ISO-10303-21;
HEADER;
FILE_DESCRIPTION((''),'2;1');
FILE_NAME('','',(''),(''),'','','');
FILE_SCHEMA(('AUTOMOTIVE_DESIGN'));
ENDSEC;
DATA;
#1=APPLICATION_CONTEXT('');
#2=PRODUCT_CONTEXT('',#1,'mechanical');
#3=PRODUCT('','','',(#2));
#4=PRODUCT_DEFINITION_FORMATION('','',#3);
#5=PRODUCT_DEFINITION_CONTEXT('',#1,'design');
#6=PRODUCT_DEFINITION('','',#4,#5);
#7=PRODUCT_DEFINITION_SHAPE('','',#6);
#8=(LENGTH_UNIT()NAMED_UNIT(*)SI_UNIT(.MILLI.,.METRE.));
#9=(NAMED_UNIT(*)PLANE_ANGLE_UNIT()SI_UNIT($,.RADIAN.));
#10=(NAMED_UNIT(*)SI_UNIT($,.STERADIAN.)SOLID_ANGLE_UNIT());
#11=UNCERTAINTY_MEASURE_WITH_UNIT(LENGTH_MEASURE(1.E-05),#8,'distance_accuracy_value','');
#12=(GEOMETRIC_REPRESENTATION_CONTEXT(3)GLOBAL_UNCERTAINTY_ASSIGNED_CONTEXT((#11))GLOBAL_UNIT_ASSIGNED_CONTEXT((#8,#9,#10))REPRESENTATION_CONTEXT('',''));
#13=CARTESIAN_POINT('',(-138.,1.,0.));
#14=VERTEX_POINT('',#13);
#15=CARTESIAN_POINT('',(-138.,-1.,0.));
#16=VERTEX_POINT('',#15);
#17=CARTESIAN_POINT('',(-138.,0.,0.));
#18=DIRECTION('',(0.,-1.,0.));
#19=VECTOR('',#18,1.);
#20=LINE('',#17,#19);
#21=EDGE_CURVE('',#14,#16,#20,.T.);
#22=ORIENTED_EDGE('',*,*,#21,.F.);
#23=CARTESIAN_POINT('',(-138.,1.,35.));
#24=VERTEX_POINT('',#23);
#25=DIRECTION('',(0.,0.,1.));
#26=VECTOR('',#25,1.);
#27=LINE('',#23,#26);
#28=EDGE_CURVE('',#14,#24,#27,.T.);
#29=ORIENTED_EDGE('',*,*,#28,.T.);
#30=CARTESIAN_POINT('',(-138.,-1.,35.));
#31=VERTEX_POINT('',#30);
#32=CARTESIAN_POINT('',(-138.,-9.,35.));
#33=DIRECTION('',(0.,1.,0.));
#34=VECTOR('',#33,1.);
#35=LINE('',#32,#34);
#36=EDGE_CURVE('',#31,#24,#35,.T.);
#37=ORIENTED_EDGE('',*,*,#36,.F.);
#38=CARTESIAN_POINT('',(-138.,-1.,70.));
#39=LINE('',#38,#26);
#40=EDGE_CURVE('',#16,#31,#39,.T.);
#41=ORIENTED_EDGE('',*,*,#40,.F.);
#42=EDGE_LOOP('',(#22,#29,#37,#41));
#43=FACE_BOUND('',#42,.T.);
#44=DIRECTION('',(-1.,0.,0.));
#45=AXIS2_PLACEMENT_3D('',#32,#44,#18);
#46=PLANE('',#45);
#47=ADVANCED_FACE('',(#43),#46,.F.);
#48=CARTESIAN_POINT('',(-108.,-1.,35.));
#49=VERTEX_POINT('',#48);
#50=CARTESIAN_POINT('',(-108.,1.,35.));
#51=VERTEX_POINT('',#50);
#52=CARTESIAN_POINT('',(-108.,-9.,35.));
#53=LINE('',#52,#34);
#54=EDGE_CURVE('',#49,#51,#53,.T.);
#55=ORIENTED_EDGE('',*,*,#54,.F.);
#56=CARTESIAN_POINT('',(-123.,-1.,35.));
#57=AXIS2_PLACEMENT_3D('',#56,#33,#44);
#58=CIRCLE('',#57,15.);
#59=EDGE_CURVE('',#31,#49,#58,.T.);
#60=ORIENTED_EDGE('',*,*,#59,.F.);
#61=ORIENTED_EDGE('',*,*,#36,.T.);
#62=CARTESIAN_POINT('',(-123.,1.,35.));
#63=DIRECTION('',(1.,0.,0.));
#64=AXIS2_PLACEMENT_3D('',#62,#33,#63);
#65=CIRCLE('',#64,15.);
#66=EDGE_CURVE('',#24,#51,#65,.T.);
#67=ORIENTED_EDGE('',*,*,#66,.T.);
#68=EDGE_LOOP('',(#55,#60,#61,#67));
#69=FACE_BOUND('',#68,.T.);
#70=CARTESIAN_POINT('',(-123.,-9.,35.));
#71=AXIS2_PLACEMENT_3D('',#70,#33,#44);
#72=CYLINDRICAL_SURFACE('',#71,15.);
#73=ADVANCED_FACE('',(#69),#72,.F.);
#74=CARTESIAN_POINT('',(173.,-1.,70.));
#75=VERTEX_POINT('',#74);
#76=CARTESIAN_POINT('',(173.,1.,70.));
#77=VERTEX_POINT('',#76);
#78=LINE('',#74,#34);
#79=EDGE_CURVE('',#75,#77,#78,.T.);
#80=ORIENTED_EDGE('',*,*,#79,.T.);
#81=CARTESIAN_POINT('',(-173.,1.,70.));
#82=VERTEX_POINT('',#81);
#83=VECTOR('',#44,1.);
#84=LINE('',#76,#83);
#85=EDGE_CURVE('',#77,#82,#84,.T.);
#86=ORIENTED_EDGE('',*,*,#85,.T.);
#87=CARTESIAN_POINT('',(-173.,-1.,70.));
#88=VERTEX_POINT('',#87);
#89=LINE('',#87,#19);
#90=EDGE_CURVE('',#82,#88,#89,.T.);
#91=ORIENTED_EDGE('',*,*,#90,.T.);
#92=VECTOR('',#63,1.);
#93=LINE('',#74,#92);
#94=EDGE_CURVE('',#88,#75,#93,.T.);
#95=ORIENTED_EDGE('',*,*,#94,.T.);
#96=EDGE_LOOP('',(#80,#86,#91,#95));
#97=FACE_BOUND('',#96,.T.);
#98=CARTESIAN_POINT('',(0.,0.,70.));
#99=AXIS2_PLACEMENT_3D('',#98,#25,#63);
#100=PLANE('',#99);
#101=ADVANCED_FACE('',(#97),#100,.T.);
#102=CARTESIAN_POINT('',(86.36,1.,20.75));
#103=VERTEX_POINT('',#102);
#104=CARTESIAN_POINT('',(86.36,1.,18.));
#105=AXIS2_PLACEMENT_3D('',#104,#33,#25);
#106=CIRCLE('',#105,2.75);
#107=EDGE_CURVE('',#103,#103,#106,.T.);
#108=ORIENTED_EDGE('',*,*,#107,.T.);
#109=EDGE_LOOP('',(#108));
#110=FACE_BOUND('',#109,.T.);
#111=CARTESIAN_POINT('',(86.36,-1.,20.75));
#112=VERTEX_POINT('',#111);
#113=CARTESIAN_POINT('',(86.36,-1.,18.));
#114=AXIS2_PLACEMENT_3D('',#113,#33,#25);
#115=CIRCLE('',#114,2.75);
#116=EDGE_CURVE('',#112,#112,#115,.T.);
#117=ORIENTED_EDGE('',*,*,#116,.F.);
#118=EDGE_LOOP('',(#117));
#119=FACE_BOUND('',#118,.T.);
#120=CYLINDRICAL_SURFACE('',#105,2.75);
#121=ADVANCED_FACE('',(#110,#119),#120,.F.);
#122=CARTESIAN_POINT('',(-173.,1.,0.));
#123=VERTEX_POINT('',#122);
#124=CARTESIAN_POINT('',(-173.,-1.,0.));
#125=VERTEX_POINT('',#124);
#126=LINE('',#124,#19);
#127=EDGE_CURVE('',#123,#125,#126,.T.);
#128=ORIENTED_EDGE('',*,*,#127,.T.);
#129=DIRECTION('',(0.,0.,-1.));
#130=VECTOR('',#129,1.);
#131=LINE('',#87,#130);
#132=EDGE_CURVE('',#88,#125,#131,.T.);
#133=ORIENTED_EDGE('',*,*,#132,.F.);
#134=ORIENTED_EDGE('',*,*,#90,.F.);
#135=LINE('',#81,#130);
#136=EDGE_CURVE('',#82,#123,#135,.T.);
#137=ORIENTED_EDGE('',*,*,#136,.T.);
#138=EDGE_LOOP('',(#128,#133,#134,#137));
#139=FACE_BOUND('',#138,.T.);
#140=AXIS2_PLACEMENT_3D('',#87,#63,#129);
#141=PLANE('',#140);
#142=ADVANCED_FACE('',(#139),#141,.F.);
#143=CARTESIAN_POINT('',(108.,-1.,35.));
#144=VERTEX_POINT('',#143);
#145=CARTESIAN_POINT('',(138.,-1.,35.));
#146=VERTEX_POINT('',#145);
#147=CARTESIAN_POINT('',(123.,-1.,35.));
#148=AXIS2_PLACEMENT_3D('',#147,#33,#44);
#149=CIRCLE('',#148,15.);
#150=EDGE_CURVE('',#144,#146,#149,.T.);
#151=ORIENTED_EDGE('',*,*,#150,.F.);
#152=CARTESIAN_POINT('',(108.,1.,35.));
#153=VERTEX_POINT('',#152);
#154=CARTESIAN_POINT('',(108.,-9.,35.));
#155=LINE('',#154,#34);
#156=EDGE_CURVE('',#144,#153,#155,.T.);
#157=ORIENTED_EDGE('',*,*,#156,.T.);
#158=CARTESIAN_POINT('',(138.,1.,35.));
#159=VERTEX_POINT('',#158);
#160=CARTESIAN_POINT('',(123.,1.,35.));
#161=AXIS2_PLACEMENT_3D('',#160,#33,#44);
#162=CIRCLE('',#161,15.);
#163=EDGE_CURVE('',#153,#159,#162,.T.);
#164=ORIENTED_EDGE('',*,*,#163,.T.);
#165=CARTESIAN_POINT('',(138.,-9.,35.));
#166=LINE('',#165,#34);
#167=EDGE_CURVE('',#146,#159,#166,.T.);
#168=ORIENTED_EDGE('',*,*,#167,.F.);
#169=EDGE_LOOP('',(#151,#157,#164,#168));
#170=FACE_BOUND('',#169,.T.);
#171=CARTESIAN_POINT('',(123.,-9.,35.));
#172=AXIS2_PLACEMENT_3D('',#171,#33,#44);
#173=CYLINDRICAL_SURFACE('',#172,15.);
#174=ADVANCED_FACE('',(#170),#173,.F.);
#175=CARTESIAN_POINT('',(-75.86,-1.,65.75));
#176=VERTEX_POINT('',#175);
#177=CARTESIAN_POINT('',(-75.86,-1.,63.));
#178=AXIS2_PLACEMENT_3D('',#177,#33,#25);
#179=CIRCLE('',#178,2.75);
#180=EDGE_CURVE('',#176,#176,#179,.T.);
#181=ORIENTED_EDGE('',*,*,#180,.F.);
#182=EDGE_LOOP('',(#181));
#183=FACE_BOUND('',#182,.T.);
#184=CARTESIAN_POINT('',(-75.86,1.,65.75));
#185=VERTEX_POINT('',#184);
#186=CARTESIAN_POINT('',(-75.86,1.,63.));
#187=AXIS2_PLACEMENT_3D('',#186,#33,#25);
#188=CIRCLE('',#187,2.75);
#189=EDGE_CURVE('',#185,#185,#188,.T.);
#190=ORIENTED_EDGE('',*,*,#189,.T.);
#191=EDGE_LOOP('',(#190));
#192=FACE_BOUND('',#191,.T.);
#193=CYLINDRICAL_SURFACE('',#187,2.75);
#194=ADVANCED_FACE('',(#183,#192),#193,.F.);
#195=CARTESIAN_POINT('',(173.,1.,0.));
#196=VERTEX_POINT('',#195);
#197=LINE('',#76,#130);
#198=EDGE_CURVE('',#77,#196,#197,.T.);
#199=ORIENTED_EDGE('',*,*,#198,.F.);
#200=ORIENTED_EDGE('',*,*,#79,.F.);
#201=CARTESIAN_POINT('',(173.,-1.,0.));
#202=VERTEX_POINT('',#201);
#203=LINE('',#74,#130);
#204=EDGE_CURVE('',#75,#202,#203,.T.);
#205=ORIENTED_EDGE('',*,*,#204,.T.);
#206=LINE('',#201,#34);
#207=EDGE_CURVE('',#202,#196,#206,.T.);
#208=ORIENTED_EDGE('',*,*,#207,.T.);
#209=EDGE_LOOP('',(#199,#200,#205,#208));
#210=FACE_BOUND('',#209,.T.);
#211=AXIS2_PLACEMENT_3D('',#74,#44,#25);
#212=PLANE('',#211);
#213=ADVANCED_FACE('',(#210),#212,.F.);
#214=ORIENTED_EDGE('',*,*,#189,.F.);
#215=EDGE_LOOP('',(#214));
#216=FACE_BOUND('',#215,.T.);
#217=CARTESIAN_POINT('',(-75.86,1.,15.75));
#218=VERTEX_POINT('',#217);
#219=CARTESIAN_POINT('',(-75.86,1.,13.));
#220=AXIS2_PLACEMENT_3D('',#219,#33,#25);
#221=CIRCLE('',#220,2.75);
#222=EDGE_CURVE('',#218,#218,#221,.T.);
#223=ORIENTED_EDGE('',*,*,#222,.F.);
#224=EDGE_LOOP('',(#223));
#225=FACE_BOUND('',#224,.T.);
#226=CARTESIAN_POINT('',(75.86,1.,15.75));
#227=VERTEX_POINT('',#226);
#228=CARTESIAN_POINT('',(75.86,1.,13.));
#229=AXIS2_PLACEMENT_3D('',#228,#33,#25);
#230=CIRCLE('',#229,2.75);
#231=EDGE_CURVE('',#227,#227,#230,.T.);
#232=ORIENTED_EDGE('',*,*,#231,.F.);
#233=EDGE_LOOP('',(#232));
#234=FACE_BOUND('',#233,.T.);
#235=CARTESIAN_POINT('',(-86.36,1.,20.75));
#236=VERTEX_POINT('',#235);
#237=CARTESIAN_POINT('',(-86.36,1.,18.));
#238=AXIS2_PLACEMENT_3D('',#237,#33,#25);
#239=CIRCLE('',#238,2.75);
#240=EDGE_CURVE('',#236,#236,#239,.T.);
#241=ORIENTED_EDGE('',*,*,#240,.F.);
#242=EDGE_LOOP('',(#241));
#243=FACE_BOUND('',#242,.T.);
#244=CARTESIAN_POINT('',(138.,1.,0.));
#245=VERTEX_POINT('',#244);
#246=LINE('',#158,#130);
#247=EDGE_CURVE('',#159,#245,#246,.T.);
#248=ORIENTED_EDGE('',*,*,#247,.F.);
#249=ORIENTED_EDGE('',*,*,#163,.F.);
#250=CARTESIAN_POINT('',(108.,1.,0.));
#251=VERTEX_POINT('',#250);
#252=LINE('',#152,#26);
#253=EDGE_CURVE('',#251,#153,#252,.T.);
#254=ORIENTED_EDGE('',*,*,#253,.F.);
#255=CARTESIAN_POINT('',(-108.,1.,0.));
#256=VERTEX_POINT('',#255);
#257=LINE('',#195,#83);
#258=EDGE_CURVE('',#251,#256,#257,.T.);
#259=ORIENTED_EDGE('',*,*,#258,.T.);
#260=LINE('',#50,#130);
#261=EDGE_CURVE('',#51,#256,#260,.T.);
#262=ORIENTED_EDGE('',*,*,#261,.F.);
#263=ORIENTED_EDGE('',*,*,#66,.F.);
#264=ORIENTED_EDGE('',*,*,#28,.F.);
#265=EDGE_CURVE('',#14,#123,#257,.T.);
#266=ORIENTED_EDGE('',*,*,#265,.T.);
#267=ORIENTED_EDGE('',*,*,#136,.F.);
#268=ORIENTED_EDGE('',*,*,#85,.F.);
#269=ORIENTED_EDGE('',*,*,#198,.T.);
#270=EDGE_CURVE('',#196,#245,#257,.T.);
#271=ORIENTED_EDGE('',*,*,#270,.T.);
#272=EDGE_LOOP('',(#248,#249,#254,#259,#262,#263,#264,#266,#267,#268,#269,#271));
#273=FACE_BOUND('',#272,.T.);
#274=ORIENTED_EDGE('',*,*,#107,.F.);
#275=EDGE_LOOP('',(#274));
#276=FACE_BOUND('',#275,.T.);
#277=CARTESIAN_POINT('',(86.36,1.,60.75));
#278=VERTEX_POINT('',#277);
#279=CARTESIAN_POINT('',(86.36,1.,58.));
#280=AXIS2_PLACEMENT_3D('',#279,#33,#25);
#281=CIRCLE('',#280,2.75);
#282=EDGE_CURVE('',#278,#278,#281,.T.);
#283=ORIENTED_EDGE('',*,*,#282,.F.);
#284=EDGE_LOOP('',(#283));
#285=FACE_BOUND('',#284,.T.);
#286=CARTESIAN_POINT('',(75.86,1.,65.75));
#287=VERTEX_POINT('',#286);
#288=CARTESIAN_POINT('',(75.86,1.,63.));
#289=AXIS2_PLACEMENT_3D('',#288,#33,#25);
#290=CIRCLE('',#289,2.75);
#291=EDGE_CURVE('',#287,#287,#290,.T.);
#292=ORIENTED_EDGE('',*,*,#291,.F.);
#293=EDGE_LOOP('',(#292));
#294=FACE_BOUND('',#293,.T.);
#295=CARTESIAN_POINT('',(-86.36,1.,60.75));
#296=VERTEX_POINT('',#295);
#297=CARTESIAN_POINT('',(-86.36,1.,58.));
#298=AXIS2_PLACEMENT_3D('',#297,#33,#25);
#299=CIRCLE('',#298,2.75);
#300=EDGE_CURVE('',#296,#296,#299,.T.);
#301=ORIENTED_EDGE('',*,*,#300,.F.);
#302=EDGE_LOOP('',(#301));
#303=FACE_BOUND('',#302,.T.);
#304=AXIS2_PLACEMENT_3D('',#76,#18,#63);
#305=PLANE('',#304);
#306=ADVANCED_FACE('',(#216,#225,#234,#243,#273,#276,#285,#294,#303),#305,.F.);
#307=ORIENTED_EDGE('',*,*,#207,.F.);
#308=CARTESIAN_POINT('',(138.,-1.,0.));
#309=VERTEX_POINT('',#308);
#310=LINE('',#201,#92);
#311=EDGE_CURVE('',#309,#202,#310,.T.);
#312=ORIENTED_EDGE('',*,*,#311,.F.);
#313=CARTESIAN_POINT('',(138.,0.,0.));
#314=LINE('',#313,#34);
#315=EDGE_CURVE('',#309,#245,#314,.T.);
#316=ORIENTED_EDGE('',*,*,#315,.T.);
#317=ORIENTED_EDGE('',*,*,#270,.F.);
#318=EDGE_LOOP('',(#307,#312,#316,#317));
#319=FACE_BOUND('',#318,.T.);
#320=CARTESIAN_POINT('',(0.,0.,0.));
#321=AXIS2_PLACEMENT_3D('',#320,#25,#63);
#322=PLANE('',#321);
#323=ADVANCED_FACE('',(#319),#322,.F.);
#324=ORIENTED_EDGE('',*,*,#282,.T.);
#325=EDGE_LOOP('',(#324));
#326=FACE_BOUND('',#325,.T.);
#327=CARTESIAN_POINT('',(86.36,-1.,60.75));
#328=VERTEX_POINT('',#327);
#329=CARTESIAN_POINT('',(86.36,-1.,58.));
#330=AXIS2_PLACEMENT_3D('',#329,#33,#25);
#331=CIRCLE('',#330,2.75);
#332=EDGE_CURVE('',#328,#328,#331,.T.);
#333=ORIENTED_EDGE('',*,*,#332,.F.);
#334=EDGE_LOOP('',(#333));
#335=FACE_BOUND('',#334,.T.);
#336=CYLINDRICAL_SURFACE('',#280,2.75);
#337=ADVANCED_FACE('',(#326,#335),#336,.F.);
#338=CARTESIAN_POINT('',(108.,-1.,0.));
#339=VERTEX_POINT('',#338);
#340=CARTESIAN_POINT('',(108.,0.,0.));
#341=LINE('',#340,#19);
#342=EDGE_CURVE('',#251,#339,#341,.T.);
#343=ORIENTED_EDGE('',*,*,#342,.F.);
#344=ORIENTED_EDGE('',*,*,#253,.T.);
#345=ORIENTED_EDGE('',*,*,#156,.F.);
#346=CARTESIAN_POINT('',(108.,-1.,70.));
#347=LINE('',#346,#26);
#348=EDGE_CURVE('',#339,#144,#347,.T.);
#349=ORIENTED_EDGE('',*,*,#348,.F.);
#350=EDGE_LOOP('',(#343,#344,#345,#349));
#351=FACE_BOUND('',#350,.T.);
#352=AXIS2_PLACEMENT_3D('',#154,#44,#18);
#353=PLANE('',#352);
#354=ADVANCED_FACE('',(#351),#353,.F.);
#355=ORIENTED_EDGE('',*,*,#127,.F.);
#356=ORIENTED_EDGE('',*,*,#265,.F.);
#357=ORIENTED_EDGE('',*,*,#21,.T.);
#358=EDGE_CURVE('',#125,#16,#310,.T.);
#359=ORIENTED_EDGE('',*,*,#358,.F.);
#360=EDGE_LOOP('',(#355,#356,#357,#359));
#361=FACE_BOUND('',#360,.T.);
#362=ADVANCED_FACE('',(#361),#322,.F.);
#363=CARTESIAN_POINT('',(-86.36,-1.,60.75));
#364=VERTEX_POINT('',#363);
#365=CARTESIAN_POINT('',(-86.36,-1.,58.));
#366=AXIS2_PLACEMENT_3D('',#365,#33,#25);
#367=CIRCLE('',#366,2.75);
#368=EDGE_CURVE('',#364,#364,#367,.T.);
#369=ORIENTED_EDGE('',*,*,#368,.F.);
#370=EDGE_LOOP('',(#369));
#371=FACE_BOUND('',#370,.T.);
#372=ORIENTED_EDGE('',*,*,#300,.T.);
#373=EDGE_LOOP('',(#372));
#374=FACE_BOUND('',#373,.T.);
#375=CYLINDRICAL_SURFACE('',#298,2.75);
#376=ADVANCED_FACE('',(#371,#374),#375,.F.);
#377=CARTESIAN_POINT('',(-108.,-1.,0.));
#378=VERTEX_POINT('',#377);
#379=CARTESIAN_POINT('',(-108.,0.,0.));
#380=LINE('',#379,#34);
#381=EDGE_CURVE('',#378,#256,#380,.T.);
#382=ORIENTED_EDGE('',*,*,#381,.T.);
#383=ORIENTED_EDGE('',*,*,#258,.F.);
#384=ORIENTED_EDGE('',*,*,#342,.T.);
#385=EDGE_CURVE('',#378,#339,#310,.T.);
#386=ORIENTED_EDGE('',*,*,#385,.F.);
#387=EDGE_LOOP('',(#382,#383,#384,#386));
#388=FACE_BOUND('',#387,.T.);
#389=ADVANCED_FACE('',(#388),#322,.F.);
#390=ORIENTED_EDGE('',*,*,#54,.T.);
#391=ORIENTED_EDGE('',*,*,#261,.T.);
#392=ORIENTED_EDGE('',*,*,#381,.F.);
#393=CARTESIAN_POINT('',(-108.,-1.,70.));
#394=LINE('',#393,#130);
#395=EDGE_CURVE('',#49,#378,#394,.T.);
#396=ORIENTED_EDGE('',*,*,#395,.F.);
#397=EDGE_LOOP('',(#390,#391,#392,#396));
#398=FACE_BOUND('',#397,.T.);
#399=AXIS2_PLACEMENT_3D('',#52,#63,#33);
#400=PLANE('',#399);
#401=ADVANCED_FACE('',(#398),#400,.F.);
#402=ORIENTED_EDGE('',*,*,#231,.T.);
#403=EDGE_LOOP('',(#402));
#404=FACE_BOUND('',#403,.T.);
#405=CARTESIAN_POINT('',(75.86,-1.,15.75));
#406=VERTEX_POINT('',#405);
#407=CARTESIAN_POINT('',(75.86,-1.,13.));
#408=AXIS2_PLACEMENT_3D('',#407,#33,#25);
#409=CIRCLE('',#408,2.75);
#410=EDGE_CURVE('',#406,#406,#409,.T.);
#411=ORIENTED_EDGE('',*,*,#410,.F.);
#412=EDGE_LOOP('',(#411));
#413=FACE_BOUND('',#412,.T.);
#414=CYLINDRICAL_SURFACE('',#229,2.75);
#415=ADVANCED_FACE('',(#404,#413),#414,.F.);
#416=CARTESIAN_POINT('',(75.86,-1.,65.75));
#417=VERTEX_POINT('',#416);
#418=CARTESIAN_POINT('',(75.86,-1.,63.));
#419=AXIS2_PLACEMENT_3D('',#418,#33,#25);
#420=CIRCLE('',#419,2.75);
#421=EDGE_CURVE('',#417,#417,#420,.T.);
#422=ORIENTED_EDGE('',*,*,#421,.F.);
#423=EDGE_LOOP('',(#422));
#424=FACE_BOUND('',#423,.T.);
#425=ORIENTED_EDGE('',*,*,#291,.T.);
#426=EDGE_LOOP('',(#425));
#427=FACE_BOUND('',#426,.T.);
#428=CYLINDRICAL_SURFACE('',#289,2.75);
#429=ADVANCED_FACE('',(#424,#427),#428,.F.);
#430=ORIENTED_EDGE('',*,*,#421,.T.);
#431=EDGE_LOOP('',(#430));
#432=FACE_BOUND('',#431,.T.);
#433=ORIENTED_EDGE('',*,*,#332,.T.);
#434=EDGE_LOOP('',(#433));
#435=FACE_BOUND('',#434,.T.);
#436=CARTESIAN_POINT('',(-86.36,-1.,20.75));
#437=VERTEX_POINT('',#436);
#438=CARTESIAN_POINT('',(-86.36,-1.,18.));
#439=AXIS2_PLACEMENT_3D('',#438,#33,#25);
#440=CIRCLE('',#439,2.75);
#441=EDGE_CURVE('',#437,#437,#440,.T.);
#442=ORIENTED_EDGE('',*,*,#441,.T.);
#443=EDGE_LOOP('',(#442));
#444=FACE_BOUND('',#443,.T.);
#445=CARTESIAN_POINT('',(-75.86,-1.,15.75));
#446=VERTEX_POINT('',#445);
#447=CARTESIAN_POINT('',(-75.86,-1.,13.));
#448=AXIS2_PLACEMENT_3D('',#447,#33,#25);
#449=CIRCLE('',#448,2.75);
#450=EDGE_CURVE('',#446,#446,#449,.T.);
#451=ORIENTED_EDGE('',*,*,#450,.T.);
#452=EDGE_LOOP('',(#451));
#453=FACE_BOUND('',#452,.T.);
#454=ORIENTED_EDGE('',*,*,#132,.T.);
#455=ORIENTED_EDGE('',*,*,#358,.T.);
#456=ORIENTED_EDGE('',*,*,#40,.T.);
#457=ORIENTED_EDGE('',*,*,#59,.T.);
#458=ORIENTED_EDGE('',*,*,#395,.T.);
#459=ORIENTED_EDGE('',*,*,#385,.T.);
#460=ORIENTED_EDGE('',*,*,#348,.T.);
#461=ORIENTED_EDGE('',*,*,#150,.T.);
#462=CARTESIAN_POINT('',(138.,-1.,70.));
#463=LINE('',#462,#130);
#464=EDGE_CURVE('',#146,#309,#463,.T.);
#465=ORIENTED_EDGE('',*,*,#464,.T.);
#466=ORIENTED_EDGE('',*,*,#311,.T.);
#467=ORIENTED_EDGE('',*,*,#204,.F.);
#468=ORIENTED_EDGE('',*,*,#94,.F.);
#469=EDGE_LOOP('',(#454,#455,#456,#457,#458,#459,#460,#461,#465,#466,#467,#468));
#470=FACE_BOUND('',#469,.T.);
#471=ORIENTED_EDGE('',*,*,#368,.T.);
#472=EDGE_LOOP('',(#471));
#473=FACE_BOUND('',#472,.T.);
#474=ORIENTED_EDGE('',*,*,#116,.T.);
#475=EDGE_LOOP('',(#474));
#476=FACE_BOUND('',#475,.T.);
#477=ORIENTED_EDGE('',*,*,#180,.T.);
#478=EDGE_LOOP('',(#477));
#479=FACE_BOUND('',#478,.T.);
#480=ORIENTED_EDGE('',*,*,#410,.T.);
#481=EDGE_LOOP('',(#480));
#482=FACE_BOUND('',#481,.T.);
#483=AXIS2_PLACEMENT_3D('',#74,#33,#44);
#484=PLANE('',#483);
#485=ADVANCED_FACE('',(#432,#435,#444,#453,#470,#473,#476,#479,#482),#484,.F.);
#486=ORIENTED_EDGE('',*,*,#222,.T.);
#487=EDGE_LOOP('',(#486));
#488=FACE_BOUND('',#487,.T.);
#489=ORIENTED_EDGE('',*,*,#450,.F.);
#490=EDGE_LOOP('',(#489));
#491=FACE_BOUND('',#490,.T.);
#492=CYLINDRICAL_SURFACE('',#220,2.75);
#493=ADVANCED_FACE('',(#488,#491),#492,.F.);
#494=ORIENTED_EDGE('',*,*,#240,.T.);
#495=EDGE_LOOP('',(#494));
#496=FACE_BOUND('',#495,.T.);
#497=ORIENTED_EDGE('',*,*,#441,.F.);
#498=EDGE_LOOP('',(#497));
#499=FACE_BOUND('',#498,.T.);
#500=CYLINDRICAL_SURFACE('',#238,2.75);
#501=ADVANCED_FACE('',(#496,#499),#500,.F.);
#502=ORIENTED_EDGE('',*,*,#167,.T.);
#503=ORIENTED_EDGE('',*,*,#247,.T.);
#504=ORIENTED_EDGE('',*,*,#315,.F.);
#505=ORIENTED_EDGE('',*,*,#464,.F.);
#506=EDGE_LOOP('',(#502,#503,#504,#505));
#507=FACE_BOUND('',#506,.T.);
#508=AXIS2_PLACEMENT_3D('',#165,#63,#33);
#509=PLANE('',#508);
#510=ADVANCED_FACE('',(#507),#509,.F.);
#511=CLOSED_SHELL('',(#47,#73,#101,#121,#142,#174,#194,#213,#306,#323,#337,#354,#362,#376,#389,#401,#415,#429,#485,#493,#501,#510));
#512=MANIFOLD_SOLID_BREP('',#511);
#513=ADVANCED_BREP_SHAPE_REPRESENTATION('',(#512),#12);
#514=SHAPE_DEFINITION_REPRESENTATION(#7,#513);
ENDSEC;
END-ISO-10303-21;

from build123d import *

# Parameters (mm, degrees)
SKETCH1_W            = 346
SKETCH1_H            = 2
BOSS_EXTRUDE1_DEPTH  = 70
M5_CLEARANCE_HOLE1_D = 5.5
CUT_EXTRUDE1_DEPTH   = 10


with BuildPart() as part:
    # Sketch1 → Boss-Extrude1 (new body)
    with BuildSketch(Plane.XY):
        Rectangle(SKETCH1_W, SKETCH1_H)
    extrude(amount=BOSS_EXTRUDE1_DEPTH)

    # M5 Clearance Hole1 (through all)
    with Locations(Plane(origin=(86.36, 1, 18), x_dir=(1, 0, 0), z_dir=(0, 1, 0))):
        with Locations((0, 0), (-10.5, 5), (0, -40), (-10.5, -45)):
            m5_clearance_hole1 = Hole(M5_CLEARANCE_HOLE1_D / 2)

    # Mirror1: M5 Clearance Hole1 across plane
    add(m5_clearance_hole1.mirror(Plane(origin=(0, 0, 0), x_dir=(0, 0, 1), z_dir=(1, 0, 0))), mode=Mode.SUBTRACT)

    # Sketch4 → Cut-Extrude1 (cut)
    with BuildSketch(Plane(origin=(0, 1, 0), x_dir=(1, 0, 0), z_dir=(0, 1, 0))):
        with BuildLine():
            Line((138, -35), (138, 0))
            Line((138, 0), (108, 0))
            Line((108, 0), (108, -35))
            ThreePointArc((108, -35), (123, -50), (138, -35))
        make_face()
        with BuildLine():
            Line((-108, -35), (-108, 0))
            Line((-108, 0), (-138, 0))
            Line((-138, 0), (-138, -35))
            ThreePointArc((-138, -35), (-123, -50), (-108, -35))
        make_face()
    extrude(amount=-CUT_EXTRUDE1_DEPTH, mode=Mode.SUBTRACT)


solid = part.part
